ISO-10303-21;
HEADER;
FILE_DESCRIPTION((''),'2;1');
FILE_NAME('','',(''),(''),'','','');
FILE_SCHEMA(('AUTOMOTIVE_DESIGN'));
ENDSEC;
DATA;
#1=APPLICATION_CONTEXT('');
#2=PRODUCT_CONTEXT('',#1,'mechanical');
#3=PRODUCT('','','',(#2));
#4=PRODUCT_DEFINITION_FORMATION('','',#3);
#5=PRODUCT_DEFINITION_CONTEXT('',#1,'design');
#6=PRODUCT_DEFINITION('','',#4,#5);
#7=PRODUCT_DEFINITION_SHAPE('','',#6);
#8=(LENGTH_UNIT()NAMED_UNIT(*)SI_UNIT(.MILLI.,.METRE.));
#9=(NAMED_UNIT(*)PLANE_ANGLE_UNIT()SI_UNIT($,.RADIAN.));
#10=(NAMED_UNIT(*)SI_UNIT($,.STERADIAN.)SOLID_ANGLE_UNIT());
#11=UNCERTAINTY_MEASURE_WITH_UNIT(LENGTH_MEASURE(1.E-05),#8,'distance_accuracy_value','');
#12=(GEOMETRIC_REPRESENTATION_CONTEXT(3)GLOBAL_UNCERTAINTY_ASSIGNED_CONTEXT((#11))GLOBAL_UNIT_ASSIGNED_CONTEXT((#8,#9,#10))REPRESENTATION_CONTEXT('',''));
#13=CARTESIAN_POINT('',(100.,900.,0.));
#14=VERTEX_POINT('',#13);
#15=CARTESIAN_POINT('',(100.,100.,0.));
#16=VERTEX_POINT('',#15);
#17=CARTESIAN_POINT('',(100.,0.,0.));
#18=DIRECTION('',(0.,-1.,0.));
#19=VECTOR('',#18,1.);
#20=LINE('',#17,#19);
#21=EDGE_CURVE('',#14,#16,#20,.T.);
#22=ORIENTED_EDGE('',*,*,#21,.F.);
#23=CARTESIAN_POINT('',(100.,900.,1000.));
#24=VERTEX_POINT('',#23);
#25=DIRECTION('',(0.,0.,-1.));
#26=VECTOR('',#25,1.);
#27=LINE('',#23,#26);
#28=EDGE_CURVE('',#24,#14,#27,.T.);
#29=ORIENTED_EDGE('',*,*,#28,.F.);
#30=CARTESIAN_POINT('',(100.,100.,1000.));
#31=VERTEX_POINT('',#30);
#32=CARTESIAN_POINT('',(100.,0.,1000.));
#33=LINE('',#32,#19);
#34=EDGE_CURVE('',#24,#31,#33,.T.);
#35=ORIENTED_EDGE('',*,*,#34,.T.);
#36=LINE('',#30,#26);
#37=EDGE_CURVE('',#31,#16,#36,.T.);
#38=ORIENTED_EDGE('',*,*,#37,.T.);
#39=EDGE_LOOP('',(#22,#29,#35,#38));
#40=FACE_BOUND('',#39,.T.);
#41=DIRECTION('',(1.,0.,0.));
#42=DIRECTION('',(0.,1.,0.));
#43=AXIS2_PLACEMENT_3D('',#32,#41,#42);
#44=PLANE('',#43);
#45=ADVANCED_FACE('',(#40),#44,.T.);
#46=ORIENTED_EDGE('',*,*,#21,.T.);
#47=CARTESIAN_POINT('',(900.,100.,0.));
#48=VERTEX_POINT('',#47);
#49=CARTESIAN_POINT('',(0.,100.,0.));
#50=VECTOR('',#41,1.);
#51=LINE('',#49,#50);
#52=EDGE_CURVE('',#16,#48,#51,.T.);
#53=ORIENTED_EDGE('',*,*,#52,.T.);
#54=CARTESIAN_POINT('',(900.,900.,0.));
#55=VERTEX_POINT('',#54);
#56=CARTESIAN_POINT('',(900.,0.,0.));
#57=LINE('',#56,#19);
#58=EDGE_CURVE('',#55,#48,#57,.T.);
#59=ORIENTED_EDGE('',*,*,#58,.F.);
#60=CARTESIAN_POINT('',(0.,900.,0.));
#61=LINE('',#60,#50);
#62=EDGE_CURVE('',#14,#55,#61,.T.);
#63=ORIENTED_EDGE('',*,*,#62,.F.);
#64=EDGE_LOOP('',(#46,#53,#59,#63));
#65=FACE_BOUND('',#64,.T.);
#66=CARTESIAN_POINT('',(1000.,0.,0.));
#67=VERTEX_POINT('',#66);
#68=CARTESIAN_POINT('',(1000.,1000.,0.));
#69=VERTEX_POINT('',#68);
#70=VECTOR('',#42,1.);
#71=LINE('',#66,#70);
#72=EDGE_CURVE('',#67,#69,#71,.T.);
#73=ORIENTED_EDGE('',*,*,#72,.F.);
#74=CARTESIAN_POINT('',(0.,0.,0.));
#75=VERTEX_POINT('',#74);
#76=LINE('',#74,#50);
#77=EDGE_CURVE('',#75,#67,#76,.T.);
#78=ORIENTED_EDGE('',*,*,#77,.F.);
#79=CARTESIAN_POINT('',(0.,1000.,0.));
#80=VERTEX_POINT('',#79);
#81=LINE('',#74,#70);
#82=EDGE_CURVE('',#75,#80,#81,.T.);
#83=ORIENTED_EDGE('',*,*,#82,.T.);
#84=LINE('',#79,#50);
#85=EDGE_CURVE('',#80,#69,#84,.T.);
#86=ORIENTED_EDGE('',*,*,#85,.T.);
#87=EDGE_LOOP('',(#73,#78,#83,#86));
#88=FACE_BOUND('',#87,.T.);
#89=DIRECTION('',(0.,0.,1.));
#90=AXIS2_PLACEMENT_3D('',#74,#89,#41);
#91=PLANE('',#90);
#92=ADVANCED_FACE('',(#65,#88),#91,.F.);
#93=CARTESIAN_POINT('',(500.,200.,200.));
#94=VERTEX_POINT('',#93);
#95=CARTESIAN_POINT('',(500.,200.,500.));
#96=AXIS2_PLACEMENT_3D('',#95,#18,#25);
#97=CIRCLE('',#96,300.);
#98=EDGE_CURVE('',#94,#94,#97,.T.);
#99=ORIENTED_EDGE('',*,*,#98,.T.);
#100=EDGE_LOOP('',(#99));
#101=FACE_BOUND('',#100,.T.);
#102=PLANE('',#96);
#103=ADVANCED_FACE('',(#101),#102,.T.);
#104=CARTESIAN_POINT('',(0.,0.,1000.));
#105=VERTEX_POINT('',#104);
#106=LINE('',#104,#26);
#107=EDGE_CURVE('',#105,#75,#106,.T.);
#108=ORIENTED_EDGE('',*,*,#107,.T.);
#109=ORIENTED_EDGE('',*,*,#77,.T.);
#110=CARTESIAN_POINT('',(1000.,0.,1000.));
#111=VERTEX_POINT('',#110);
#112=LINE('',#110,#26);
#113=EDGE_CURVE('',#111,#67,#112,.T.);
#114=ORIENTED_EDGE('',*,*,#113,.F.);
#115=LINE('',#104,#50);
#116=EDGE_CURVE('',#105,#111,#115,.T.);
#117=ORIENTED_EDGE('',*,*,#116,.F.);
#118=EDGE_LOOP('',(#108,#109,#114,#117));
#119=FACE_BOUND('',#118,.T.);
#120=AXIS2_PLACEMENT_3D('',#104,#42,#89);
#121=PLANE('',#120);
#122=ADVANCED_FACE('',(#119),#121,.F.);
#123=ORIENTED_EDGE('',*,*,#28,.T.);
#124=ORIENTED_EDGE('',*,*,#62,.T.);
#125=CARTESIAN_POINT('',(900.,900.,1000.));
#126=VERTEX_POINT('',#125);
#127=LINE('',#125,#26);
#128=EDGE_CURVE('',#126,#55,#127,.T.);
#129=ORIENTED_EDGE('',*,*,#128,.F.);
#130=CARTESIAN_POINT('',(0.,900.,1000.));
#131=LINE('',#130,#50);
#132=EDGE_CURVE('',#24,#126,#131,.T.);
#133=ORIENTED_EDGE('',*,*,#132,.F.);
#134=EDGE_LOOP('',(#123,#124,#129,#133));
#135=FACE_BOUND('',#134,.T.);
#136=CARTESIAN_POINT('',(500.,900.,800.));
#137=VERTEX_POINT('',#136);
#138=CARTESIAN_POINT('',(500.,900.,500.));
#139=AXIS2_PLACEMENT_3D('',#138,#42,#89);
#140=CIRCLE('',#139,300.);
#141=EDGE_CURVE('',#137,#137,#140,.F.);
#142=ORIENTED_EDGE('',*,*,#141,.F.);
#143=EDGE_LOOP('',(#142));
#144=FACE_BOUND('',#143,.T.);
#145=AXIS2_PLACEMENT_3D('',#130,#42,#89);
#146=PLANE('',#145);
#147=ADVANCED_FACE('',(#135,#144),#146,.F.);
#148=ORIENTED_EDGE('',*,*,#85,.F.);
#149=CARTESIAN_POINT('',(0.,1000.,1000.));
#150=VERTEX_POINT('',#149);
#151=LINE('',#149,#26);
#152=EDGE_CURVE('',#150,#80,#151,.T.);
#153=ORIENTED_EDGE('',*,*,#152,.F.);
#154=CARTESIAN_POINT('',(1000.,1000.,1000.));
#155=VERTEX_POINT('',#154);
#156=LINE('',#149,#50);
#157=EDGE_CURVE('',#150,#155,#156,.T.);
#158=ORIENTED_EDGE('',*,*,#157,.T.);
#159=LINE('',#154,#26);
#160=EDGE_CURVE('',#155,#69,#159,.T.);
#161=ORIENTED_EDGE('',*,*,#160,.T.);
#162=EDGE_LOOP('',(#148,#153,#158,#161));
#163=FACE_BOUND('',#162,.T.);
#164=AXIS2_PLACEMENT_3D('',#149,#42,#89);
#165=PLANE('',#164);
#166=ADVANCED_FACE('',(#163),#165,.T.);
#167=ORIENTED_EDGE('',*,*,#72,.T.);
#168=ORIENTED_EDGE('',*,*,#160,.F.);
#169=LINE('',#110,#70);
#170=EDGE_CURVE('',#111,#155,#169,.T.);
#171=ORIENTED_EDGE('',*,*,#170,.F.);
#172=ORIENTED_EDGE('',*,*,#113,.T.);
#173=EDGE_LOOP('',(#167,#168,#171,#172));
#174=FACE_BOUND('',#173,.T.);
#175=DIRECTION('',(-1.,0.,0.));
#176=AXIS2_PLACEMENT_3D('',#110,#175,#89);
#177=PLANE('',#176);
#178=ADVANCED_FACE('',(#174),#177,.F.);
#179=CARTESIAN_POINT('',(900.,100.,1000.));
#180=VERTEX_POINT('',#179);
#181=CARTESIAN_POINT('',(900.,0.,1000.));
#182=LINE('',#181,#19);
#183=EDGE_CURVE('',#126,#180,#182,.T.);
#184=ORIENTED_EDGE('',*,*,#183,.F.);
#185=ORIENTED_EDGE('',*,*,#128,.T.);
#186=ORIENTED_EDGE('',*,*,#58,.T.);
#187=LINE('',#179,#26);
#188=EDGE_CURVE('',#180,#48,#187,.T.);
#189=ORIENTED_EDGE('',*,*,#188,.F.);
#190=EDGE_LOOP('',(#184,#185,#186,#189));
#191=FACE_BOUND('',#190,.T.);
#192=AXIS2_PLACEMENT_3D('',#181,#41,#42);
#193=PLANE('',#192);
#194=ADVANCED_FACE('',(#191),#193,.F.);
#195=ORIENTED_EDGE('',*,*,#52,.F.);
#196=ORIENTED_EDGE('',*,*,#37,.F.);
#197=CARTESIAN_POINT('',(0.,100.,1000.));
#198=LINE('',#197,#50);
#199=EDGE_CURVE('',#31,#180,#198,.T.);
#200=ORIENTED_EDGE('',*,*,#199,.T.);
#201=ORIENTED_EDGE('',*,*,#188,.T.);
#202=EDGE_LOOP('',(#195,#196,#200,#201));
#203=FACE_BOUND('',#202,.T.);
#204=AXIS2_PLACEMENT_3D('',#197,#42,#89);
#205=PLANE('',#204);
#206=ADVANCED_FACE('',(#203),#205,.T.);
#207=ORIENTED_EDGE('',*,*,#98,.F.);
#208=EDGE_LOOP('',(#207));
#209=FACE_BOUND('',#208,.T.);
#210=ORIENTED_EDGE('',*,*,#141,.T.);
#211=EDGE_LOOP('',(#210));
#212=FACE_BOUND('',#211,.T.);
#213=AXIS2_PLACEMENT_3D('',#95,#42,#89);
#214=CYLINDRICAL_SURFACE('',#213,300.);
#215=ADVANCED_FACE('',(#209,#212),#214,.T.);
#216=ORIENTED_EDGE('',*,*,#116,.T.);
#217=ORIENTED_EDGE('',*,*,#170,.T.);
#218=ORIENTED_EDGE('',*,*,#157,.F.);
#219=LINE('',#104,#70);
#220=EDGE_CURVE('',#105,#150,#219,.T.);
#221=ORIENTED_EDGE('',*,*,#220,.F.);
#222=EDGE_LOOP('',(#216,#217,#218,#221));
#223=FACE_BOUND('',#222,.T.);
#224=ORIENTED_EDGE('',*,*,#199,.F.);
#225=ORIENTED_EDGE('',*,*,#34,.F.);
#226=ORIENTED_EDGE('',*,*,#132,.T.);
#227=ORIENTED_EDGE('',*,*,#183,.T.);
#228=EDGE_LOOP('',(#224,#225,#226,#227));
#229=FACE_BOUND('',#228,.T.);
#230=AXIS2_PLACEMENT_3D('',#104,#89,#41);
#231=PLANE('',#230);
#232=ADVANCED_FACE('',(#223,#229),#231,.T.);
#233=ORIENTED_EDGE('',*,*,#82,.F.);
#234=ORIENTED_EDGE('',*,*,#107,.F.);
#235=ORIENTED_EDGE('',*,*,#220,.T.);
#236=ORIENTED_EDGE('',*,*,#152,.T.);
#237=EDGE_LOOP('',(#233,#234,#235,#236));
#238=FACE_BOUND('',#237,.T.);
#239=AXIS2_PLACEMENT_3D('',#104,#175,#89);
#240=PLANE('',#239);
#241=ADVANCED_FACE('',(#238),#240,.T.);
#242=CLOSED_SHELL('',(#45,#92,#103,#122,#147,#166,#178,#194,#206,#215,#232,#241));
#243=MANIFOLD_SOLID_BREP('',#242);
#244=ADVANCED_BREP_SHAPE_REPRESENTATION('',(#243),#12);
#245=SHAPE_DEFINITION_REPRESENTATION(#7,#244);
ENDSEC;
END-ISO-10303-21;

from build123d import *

# Parameters (mm, degrees)
SKETCH1_W           = 1000
SKETCH1_H           = 1000
SKETCH1_W_2         = 800
SKETCH1_H_2         = 800
BOSS_EXTRUDE1_DEPTH = 1000
SKETCH2_R           = 300
BOSS_EXTRUDE2_DEPTH = 700


with BuildPart() as part:
    # Sketch1 → Boss-Extrude1 (new body)
    with BuildSketch(Plane.XY):
        with Locations((500, 500)):
            Rectangle(SKETCH1_W, SKETCH1_H)
        with Locations((500, 500)):
            Rectangle(SKETCH1_W_2, SKETCH1_H_2, mode=Mode.SUBTRACT)
    extrude(amount=BOSS_EXTRUDE1_DEPTH)

    # Sketch2 → Boss-Extrude2 (add)
    with BuildSketch(Plane.XZ.offset(-900)):
        with Locations(Location((500, 500, 0), (0, 0, 90))):
            Circle(SKETCH2_R)
    extrude(amount=BOSS_EXTRUDE2_DEPTH)


solid = part.part
